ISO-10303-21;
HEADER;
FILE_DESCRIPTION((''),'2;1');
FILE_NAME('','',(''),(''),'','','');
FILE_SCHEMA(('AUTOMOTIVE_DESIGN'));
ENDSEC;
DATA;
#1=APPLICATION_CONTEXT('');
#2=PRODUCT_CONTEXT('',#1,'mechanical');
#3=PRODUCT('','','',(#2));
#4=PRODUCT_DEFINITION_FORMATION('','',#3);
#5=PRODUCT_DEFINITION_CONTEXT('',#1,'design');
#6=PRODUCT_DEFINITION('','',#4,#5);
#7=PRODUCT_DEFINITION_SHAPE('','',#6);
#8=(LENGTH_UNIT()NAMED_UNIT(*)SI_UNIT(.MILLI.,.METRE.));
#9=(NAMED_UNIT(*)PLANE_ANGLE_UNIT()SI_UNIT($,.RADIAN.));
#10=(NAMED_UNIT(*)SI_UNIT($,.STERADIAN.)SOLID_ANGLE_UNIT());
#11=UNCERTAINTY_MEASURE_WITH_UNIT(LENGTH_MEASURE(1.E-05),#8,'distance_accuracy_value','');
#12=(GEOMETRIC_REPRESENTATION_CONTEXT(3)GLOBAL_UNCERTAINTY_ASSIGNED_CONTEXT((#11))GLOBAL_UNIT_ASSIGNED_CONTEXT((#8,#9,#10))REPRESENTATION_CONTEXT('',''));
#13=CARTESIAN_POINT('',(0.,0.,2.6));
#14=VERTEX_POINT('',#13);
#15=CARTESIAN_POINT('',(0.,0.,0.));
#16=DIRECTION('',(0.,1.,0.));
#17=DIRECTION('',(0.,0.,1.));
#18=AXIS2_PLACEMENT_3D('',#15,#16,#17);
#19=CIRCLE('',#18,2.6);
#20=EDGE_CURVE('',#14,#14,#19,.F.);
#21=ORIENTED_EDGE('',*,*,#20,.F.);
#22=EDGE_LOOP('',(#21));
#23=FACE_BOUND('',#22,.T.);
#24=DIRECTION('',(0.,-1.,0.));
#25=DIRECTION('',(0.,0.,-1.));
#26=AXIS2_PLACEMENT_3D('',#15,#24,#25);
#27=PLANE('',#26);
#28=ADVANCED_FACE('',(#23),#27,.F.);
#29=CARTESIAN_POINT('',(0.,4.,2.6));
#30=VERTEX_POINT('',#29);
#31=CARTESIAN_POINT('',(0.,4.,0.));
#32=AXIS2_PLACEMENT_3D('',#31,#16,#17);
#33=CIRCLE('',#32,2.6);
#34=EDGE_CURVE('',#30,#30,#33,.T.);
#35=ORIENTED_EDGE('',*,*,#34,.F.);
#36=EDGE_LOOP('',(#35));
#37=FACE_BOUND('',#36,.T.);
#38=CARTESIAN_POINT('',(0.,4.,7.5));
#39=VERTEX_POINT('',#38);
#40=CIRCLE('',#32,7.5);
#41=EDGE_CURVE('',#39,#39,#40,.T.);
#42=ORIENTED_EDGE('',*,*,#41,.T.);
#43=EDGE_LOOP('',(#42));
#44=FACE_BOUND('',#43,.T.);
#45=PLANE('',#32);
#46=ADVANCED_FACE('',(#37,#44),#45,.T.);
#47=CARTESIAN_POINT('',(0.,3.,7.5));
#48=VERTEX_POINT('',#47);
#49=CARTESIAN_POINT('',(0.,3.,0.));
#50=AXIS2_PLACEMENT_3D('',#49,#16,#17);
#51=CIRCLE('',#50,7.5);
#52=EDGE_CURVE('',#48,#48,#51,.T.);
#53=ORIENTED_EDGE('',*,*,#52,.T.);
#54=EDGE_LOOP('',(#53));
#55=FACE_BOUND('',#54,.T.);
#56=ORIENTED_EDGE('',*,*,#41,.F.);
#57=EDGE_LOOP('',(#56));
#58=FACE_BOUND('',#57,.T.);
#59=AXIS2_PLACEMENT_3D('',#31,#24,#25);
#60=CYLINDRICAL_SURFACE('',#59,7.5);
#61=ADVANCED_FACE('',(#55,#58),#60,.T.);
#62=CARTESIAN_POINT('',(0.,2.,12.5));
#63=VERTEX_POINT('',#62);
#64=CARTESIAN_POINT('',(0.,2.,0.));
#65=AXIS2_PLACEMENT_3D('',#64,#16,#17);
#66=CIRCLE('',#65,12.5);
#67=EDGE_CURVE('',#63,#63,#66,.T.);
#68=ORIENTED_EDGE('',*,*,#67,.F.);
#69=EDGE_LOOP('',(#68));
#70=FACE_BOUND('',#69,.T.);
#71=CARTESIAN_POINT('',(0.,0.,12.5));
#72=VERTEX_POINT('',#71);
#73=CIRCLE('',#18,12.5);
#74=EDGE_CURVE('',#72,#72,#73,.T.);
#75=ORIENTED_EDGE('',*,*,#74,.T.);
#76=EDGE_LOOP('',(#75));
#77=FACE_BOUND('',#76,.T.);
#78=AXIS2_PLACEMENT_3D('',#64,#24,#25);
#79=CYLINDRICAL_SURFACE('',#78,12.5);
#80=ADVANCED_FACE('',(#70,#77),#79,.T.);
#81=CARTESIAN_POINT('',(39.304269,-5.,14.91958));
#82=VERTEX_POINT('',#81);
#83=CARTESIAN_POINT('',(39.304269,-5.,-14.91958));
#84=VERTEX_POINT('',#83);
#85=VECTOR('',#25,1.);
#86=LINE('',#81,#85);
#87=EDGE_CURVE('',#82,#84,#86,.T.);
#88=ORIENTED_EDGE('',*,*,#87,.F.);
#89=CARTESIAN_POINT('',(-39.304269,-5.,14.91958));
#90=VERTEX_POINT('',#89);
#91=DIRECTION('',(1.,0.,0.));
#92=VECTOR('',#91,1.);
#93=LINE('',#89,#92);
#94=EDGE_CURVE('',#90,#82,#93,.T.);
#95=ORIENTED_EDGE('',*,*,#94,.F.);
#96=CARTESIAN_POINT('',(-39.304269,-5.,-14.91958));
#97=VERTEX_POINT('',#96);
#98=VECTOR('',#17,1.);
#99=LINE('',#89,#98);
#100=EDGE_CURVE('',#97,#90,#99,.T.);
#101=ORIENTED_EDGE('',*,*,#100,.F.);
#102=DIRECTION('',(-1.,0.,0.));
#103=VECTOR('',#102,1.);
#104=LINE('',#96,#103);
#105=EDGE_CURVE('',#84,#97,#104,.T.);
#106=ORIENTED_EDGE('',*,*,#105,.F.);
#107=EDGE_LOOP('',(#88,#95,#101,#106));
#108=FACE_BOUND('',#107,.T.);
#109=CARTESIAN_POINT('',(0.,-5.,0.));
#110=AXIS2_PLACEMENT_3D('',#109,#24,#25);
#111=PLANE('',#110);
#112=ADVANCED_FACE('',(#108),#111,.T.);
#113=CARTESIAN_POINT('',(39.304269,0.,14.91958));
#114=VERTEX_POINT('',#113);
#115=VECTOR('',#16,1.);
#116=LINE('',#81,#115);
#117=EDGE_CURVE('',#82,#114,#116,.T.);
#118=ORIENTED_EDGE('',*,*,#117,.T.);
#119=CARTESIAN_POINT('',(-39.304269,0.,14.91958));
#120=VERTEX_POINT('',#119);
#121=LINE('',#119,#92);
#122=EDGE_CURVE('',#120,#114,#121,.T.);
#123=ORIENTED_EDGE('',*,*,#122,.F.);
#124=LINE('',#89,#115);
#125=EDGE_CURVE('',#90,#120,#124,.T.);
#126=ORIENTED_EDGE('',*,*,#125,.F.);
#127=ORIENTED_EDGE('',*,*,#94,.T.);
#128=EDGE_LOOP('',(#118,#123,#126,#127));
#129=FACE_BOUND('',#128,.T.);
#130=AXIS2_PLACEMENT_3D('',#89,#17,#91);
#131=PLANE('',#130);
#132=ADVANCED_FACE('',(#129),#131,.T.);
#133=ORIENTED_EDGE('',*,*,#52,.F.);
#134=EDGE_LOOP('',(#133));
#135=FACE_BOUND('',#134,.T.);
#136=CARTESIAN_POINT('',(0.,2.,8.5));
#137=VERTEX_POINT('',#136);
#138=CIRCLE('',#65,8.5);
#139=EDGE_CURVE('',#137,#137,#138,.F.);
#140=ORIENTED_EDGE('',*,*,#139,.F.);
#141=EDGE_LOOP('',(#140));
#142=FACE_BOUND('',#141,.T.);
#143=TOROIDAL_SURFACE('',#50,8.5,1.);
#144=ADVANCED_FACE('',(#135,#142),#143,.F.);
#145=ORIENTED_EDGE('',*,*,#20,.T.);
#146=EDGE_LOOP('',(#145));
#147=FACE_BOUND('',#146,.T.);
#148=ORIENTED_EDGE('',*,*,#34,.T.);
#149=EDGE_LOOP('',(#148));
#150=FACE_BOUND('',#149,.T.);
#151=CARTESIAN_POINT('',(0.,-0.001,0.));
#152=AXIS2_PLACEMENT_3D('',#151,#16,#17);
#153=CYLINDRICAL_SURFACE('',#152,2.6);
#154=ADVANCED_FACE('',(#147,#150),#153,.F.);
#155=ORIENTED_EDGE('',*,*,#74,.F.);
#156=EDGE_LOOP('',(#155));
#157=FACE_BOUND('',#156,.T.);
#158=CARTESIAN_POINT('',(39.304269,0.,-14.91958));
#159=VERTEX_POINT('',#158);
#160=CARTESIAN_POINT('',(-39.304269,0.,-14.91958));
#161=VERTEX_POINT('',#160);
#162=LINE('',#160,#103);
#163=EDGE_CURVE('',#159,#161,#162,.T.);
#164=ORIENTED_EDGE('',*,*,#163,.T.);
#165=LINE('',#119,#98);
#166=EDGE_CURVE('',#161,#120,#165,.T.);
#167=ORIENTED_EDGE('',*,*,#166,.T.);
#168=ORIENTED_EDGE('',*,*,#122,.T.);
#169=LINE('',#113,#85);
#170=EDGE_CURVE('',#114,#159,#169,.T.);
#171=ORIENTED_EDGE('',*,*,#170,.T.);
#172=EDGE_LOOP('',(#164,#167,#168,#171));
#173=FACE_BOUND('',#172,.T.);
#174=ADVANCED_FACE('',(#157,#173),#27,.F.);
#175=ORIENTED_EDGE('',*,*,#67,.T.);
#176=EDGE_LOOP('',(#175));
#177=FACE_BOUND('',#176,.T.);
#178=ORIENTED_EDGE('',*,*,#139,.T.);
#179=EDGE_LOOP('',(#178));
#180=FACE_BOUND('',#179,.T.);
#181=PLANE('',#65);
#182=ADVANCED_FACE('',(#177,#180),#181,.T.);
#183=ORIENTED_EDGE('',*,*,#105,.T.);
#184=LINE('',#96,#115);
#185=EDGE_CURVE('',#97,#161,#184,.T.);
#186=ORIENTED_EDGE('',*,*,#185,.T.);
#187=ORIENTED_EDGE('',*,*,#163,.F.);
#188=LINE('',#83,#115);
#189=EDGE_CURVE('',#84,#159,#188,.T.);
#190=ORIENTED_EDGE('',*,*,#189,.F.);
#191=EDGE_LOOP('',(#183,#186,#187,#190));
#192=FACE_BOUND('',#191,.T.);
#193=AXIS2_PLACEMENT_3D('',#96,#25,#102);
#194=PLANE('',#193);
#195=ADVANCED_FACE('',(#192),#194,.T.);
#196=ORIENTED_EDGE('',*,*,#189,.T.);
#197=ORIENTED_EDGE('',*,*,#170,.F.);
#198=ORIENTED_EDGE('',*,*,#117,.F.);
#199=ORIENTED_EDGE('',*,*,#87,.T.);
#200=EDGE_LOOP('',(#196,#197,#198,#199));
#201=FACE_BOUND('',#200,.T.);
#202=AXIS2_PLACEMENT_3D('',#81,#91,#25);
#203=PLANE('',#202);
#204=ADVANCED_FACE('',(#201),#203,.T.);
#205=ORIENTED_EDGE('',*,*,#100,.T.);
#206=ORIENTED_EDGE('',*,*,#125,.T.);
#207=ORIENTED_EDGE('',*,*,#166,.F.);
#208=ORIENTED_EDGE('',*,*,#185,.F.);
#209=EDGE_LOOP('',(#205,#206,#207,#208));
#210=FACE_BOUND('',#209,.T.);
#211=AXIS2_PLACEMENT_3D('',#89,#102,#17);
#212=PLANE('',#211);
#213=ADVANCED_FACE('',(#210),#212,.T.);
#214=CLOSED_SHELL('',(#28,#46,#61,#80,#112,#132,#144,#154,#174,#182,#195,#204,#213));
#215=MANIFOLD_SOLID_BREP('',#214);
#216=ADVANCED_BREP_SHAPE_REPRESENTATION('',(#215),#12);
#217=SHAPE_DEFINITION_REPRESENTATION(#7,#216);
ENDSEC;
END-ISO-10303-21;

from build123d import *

# Parameters (mm, degrees)
SKETCH_1_R          = 12.5
EXTRUDE_1_DEPTH     = 2
SKETCH_2_R          = 7.5
EXTRUDE_2_DEPTH     = 2
FILLET_1_R          = 1
CUT_EXTRUDE_1_REACH = 20.125
SKETCH_3_R          = 2.6
SKETCH_4_W          = 78.608538246
SKETCH_4_H          = 29.839159416
EXTRUDE_3_DEPTH     = 5


with BuildPart() as part:
    # 草图1 → 凸台-拉伸1 (new body)
    with BuildSketch(Plane(origin=(0, 0, 0), x_dir=(1, 0, 0), z_dir=(0, 1, 0))):
        with Locations(Location((0, 0, 0), (0, 0, 270))):
            Circle(SKETCH_1_R)
    extrude(amount=EXTRUDE_1_DEPTH)

    # 草图2 → 凸台-拉伸2 (add)
    with BuildSketch(Plane(origin=(0, 2, 0), x_dir=(1, 0, 0), z_dir=(0, 1, 0))):
        with Locations(Location((0, 0, 0), (0, 0, 270))):
            Circle(SKETCH_2_R)
    extrude(amount=EXTRUDE_2_DEPTH)

    # 圆角1
    fillet_1_edges = [part.edges().sort_by_distance(p)[0] for p in [
        (0, 2, -7.5),
    ]]
    fillet(fillet_1_edges, radius=FILLET_1_R)

    # 草图3 → 切除-拉伸1 (cut, up to next)
    with BuildSketch(Plane(origin=(0, 4, 0), x_dir=(1, 0, 0), z_dir=(0, 1, 0)), mode=Mode.PRIVATE) as cut_extrude_1_sk1:
        with Locations(Location((0, 0, 0), (0, 0, 270))):
            Circle(SKETCH_3_R)
    cut_extrude_1_tool1 = extrude(cut_extrude_1_sk1.sketch, amount=-CUT_EXTRUDE_1_REACH, mode=Mode.PRIVATE) & part.part
    add(cut_extrude_1_tool1.solids().sort_by_distance((0, 4, 0))[0], mode=Mode.SUBTRACT)

    # 草图4 → 凸台-拉伸3 (add)
    with BuildSketch(Plane(origin=(0, 0, 0), x_dir=(1, 0, 0), z_dir=(0, 1, 0))):
        Rectangle(SKETCH_4_W, SKETCH_4_H)
    extrude(amount=-EXTRUDE_3_DEPTH)


solid = part.part
